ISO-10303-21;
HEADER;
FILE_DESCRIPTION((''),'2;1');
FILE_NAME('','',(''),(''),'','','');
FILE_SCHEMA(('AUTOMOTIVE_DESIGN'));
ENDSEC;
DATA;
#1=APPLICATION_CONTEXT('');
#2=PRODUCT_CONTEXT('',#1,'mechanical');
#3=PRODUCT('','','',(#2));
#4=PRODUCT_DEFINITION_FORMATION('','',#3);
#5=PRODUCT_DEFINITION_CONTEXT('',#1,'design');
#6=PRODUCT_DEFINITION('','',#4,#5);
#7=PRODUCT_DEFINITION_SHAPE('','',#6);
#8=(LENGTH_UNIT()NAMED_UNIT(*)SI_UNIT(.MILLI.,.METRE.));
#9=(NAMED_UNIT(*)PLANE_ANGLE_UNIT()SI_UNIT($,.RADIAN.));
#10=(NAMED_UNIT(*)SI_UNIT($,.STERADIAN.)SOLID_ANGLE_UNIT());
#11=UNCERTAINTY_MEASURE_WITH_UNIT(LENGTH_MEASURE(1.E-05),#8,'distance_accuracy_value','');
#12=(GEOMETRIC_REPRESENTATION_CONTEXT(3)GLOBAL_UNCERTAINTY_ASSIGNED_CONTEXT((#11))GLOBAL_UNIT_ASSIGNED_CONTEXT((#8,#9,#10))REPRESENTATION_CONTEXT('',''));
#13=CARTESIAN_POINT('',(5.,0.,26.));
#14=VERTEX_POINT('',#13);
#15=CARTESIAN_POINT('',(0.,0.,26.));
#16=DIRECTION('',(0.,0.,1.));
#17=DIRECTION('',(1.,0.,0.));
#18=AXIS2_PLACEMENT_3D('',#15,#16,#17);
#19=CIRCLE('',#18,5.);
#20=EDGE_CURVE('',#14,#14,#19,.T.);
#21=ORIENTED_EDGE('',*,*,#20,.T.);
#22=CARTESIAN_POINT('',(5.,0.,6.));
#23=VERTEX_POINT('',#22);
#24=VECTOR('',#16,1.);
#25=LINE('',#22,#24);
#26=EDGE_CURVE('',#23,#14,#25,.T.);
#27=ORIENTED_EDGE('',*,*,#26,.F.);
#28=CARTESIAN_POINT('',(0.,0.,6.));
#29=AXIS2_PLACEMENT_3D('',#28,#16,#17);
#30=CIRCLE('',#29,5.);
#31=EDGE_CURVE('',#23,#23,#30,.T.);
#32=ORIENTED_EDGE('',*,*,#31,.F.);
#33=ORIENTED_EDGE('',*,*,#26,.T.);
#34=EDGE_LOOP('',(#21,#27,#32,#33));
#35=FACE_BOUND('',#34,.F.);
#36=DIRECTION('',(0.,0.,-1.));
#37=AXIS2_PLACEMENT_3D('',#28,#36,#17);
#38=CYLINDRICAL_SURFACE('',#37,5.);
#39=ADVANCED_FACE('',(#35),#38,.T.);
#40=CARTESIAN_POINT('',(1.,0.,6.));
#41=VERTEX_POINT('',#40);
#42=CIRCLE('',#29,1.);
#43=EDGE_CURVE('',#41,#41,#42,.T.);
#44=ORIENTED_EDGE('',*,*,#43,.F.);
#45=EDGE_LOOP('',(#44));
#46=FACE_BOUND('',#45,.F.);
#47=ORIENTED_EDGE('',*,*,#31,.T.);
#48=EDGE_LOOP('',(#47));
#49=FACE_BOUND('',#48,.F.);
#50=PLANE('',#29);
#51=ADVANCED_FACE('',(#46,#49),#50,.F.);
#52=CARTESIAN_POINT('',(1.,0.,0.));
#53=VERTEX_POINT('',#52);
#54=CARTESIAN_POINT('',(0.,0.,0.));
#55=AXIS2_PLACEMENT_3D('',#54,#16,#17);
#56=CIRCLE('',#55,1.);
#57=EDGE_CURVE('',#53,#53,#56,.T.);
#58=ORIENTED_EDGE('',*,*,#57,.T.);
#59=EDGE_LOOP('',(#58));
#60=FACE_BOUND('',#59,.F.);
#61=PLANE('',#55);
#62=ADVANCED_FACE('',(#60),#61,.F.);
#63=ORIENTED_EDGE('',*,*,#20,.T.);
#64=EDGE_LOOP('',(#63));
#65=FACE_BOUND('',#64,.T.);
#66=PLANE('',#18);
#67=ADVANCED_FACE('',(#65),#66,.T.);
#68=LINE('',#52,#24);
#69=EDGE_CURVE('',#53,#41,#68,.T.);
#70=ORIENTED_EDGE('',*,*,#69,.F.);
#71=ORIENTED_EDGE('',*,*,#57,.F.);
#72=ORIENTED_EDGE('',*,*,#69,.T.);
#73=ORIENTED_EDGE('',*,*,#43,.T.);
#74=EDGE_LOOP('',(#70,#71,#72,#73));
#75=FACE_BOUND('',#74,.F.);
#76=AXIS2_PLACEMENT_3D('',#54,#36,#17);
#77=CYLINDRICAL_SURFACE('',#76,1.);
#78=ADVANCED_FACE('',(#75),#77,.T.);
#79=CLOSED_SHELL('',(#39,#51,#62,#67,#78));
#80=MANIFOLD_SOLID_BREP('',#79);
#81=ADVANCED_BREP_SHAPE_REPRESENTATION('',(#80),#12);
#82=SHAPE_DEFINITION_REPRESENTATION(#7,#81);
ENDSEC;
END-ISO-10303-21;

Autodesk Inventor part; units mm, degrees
ref_plane "YZ Plane" through (0, 0, 0) normal (1, 0, 0) x (0, 1, 0)
ref_plane "XZ Plane" through (0, 0, 0) normal (0, 1, 0) x (-1, 0, 0)
ref_plane "XY Plane" through (0, 0, 0) normal (0, 0, 1) x (1, 0, 0)
sketch "Sketch1" plane through (0, 0, 0) normal (0, 0, 1) x (1, 0, 0)
  circle A0 centre (0, 0) radius 1
  dimension "d0" = 2
extrude "Extrusion1" add sketch "Sketch1" along normal blind 6
sketch "Sketch2" plane through (0, 0, 6) normal (0, 0, 1) x (1, 0, 0)
  circle A0 centre (0, 0) radius 5
  dimension "d3" = 10
extrude "Extrusion2" add sketch "Sketch2" along normal blind 20
properties part number "small_membran_magnet"
